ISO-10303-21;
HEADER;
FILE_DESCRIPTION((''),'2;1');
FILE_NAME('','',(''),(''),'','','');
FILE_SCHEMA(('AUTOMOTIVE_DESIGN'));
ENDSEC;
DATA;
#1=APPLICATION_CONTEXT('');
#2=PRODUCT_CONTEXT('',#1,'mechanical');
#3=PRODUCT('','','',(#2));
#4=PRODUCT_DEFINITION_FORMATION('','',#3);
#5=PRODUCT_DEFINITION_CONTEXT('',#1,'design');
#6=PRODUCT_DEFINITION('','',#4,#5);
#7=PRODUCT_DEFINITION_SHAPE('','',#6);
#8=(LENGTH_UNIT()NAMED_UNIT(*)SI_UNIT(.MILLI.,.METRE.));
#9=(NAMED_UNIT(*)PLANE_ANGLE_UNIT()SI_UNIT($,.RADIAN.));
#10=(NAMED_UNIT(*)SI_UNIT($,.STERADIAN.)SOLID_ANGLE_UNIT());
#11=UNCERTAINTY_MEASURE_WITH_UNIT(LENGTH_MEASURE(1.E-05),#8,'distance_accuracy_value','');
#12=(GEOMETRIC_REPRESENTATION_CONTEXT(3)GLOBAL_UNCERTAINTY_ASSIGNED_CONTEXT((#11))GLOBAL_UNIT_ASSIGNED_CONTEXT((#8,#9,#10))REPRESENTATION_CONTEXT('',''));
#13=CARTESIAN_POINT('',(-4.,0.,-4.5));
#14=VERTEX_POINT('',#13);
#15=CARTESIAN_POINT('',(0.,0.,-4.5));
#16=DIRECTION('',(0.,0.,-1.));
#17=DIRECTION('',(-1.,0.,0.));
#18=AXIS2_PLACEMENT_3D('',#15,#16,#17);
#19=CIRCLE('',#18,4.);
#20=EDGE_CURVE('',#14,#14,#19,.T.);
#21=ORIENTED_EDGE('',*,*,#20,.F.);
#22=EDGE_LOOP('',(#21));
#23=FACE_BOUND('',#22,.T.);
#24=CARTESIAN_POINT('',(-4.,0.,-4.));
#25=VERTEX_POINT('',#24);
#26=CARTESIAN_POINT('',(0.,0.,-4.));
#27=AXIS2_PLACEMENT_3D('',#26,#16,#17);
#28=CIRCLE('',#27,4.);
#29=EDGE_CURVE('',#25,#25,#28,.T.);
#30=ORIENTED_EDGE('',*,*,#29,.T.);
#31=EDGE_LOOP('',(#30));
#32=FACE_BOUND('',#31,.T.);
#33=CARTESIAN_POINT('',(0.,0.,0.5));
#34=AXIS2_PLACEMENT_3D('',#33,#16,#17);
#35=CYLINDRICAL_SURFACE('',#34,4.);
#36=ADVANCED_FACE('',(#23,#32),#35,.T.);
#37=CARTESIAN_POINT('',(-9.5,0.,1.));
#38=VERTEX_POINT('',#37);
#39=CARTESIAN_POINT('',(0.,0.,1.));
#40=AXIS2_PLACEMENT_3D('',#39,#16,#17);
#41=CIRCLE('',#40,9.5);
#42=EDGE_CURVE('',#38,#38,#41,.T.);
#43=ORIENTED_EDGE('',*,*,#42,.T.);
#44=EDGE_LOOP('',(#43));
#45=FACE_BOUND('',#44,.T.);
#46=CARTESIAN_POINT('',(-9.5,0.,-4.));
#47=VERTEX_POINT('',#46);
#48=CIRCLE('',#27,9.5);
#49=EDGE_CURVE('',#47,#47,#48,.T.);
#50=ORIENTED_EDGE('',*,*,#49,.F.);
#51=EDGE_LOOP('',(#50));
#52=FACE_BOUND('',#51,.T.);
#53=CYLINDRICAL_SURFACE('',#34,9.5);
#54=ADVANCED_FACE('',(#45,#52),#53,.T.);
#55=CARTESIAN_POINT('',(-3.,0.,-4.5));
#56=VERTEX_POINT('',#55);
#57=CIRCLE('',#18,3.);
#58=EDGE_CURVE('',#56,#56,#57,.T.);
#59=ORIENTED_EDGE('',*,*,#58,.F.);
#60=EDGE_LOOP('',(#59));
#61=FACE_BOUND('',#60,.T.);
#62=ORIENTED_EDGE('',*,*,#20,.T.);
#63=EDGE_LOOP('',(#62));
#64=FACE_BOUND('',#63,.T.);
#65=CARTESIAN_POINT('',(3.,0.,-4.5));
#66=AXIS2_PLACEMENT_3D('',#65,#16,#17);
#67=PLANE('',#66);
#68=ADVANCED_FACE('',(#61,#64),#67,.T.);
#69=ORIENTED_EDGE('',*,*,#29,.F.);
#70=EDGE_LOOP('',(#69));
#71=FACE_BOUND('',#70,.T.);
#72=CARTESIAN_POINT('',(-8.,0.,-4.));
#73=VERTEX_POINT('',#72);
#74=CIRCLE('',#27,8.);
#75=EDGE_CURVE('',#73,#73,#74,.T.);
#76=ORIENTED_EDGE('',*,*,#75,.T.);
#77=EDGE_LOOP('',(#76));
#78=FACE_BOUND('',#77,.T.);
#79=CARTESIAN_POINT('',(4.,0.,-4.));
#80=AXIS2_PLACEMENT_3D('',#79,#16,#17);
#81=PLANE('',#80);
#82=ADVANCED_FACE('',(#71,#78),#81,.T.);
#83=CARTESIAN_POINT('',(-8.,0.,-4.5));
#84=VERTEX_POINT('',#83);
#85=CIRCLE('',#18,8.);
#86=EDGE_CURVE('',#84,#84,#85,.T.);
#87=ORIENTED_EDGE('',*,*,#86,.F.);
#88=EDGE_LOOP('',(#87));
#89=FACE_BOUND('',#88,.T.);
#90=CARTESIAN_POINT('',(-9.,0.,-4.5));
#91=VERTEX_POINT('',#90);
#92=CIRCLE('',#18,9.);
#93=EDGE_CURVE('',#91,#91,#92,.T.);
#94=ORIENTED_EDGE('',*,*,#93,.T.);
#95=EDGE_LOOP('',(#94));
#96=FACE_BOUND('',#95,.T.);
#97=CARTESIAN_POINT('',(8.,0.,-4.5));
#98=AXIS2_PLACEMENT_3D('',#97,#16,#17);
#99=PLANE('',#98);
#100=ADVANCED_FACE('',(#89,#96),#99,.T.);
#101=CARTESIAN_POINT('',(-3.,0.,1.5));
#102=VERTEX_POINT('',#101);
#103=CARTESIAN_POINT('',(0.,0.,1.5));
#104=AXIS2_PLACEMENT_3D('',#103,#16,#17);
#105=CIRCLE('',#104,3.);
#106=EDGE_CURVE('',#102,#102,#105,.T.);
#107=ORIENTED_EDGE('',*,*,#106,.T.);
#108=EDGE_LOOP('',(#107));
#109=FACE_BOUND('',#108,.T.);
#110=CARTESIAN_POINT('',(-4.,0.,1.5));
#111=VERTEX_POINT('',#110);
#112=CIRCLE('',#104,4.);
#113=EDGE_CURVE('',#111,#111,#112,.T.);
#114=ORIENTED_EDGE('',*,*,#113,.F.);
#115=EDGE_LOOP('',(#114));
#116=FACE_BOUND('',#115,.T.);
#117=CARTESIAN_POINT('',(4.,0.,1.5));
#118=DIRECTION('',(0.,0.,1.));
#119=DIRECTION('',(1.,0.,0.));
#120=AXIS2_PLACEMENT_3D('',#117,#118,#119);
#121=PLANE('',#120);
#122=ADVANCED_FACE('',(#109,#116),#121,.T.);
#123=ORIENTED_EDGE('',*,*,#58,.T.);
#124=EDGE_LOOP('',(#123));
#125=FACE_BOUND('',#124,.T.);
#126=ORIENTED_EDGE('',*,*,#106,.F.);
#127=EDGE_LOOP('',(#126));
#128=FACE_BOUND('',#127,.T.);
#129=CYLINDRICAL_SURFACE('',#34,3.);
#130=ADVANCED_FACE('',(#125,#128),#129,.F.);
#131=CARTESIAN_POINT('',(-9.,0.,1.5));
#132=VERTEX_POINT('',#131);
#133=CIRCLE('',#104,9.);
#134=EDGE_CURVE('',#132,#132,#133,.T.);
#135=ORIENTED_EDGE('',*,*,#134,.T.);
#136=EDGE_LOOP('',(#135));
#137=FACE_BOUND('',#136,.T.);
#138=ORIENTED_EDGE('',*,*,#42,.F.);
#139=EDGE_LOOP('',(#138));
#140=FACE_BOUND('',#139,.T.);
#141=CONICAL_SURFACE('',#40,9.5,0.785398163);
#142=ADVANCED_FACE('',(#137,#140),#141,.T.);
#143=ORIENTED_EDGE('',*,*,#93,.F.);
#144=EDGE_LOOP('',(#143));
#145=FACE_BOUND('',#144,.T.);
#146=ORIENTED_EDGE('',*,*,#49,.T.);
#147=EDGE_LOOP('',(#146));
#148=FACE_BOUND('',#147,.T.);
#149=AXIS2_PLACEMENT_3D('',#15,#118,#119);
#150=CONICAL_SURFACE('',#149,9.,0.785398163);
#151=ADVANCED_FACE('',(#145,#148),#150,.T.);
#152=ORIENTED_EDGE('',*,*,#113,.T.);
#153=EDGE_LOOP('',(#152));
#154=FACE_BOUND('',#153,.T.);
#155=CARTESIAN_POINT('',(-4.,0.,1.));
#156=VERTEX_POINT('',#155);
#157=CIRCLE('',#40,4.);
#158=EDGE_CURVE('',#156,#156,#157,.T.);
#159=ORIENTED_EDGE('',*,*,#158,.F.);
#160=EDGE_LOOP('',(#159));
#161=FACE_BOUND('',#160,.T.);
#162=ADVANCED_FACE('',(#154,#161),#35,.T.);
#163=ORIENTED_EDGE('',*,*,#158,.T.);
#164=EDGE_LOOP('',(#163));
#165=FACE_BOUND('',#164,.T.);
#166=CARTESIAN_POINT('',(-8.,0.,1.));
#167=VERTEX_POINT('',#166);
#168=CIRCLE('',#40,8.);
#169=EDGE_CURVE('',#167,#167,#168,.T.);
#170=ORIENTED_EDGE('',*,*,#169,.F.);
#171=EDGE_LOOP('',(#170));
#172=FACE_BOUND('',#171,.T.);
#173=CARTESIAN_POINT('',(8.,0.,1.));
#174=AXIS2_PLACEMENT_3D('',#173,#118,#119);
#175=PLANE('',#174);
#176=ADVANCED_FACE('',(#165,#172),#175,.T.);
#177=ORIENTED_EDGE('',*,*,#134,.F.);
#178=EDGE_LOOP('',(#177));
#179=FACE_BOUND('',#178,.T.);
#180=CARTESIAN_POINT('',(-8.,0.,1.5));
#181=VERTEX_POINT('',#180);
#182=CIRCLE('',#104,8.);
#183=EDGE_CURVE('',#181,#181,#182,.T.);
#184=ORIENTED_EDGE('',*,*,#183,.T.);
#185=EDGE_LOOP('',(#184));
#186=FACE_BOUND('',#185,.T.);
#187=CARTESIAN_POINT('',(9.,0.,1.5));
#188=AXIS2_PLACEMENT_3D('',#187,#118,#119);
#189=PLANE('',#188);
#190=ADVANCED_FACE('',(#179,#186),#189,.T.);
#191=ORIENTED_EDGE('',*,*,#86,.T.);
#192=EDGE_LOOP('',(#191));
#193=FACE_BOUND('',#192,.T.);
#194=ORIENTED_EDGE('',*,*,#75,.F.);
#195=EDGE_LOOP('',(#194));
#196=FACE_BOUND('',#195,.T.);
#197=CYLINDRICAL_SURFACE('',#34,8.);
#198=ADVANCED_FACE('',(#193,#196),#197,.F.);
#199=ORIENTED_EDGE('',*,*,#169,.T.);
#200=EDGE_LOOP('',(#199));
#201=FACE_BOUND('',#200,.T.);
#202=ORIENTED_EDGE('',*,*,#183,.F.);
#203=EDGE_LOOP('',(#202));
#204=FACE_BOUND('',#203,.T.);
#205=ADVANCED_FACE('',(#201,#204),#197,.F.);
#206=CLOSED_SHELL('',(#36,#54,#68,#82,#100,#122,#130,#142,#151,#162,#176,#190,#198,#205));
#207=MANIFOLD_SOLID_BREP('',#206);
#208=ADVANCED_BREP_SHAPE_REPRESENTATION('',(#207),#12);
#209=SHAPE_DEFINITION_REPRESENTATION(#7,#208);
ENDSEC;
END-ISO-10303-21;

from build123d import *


with BuildPart() as part:
    # Sketch1 → Revolve1 (revolve)
    with BuildSketch(Plane.XZ):
        Polygon((9.5, 1), (9, 1.5), (8, 1.5), (8, 1), (4, 1), (4, 1.5), (3, 1.5), (3, -4.5), (4, -4.5), (4, -4), (8, -4), (8, -4.5), (9, -4.5), (9.5, -4), align=None)
    revolve(axis=Axis((0, 0, 0.5), (0, 0, -1)))


solid = part.part
